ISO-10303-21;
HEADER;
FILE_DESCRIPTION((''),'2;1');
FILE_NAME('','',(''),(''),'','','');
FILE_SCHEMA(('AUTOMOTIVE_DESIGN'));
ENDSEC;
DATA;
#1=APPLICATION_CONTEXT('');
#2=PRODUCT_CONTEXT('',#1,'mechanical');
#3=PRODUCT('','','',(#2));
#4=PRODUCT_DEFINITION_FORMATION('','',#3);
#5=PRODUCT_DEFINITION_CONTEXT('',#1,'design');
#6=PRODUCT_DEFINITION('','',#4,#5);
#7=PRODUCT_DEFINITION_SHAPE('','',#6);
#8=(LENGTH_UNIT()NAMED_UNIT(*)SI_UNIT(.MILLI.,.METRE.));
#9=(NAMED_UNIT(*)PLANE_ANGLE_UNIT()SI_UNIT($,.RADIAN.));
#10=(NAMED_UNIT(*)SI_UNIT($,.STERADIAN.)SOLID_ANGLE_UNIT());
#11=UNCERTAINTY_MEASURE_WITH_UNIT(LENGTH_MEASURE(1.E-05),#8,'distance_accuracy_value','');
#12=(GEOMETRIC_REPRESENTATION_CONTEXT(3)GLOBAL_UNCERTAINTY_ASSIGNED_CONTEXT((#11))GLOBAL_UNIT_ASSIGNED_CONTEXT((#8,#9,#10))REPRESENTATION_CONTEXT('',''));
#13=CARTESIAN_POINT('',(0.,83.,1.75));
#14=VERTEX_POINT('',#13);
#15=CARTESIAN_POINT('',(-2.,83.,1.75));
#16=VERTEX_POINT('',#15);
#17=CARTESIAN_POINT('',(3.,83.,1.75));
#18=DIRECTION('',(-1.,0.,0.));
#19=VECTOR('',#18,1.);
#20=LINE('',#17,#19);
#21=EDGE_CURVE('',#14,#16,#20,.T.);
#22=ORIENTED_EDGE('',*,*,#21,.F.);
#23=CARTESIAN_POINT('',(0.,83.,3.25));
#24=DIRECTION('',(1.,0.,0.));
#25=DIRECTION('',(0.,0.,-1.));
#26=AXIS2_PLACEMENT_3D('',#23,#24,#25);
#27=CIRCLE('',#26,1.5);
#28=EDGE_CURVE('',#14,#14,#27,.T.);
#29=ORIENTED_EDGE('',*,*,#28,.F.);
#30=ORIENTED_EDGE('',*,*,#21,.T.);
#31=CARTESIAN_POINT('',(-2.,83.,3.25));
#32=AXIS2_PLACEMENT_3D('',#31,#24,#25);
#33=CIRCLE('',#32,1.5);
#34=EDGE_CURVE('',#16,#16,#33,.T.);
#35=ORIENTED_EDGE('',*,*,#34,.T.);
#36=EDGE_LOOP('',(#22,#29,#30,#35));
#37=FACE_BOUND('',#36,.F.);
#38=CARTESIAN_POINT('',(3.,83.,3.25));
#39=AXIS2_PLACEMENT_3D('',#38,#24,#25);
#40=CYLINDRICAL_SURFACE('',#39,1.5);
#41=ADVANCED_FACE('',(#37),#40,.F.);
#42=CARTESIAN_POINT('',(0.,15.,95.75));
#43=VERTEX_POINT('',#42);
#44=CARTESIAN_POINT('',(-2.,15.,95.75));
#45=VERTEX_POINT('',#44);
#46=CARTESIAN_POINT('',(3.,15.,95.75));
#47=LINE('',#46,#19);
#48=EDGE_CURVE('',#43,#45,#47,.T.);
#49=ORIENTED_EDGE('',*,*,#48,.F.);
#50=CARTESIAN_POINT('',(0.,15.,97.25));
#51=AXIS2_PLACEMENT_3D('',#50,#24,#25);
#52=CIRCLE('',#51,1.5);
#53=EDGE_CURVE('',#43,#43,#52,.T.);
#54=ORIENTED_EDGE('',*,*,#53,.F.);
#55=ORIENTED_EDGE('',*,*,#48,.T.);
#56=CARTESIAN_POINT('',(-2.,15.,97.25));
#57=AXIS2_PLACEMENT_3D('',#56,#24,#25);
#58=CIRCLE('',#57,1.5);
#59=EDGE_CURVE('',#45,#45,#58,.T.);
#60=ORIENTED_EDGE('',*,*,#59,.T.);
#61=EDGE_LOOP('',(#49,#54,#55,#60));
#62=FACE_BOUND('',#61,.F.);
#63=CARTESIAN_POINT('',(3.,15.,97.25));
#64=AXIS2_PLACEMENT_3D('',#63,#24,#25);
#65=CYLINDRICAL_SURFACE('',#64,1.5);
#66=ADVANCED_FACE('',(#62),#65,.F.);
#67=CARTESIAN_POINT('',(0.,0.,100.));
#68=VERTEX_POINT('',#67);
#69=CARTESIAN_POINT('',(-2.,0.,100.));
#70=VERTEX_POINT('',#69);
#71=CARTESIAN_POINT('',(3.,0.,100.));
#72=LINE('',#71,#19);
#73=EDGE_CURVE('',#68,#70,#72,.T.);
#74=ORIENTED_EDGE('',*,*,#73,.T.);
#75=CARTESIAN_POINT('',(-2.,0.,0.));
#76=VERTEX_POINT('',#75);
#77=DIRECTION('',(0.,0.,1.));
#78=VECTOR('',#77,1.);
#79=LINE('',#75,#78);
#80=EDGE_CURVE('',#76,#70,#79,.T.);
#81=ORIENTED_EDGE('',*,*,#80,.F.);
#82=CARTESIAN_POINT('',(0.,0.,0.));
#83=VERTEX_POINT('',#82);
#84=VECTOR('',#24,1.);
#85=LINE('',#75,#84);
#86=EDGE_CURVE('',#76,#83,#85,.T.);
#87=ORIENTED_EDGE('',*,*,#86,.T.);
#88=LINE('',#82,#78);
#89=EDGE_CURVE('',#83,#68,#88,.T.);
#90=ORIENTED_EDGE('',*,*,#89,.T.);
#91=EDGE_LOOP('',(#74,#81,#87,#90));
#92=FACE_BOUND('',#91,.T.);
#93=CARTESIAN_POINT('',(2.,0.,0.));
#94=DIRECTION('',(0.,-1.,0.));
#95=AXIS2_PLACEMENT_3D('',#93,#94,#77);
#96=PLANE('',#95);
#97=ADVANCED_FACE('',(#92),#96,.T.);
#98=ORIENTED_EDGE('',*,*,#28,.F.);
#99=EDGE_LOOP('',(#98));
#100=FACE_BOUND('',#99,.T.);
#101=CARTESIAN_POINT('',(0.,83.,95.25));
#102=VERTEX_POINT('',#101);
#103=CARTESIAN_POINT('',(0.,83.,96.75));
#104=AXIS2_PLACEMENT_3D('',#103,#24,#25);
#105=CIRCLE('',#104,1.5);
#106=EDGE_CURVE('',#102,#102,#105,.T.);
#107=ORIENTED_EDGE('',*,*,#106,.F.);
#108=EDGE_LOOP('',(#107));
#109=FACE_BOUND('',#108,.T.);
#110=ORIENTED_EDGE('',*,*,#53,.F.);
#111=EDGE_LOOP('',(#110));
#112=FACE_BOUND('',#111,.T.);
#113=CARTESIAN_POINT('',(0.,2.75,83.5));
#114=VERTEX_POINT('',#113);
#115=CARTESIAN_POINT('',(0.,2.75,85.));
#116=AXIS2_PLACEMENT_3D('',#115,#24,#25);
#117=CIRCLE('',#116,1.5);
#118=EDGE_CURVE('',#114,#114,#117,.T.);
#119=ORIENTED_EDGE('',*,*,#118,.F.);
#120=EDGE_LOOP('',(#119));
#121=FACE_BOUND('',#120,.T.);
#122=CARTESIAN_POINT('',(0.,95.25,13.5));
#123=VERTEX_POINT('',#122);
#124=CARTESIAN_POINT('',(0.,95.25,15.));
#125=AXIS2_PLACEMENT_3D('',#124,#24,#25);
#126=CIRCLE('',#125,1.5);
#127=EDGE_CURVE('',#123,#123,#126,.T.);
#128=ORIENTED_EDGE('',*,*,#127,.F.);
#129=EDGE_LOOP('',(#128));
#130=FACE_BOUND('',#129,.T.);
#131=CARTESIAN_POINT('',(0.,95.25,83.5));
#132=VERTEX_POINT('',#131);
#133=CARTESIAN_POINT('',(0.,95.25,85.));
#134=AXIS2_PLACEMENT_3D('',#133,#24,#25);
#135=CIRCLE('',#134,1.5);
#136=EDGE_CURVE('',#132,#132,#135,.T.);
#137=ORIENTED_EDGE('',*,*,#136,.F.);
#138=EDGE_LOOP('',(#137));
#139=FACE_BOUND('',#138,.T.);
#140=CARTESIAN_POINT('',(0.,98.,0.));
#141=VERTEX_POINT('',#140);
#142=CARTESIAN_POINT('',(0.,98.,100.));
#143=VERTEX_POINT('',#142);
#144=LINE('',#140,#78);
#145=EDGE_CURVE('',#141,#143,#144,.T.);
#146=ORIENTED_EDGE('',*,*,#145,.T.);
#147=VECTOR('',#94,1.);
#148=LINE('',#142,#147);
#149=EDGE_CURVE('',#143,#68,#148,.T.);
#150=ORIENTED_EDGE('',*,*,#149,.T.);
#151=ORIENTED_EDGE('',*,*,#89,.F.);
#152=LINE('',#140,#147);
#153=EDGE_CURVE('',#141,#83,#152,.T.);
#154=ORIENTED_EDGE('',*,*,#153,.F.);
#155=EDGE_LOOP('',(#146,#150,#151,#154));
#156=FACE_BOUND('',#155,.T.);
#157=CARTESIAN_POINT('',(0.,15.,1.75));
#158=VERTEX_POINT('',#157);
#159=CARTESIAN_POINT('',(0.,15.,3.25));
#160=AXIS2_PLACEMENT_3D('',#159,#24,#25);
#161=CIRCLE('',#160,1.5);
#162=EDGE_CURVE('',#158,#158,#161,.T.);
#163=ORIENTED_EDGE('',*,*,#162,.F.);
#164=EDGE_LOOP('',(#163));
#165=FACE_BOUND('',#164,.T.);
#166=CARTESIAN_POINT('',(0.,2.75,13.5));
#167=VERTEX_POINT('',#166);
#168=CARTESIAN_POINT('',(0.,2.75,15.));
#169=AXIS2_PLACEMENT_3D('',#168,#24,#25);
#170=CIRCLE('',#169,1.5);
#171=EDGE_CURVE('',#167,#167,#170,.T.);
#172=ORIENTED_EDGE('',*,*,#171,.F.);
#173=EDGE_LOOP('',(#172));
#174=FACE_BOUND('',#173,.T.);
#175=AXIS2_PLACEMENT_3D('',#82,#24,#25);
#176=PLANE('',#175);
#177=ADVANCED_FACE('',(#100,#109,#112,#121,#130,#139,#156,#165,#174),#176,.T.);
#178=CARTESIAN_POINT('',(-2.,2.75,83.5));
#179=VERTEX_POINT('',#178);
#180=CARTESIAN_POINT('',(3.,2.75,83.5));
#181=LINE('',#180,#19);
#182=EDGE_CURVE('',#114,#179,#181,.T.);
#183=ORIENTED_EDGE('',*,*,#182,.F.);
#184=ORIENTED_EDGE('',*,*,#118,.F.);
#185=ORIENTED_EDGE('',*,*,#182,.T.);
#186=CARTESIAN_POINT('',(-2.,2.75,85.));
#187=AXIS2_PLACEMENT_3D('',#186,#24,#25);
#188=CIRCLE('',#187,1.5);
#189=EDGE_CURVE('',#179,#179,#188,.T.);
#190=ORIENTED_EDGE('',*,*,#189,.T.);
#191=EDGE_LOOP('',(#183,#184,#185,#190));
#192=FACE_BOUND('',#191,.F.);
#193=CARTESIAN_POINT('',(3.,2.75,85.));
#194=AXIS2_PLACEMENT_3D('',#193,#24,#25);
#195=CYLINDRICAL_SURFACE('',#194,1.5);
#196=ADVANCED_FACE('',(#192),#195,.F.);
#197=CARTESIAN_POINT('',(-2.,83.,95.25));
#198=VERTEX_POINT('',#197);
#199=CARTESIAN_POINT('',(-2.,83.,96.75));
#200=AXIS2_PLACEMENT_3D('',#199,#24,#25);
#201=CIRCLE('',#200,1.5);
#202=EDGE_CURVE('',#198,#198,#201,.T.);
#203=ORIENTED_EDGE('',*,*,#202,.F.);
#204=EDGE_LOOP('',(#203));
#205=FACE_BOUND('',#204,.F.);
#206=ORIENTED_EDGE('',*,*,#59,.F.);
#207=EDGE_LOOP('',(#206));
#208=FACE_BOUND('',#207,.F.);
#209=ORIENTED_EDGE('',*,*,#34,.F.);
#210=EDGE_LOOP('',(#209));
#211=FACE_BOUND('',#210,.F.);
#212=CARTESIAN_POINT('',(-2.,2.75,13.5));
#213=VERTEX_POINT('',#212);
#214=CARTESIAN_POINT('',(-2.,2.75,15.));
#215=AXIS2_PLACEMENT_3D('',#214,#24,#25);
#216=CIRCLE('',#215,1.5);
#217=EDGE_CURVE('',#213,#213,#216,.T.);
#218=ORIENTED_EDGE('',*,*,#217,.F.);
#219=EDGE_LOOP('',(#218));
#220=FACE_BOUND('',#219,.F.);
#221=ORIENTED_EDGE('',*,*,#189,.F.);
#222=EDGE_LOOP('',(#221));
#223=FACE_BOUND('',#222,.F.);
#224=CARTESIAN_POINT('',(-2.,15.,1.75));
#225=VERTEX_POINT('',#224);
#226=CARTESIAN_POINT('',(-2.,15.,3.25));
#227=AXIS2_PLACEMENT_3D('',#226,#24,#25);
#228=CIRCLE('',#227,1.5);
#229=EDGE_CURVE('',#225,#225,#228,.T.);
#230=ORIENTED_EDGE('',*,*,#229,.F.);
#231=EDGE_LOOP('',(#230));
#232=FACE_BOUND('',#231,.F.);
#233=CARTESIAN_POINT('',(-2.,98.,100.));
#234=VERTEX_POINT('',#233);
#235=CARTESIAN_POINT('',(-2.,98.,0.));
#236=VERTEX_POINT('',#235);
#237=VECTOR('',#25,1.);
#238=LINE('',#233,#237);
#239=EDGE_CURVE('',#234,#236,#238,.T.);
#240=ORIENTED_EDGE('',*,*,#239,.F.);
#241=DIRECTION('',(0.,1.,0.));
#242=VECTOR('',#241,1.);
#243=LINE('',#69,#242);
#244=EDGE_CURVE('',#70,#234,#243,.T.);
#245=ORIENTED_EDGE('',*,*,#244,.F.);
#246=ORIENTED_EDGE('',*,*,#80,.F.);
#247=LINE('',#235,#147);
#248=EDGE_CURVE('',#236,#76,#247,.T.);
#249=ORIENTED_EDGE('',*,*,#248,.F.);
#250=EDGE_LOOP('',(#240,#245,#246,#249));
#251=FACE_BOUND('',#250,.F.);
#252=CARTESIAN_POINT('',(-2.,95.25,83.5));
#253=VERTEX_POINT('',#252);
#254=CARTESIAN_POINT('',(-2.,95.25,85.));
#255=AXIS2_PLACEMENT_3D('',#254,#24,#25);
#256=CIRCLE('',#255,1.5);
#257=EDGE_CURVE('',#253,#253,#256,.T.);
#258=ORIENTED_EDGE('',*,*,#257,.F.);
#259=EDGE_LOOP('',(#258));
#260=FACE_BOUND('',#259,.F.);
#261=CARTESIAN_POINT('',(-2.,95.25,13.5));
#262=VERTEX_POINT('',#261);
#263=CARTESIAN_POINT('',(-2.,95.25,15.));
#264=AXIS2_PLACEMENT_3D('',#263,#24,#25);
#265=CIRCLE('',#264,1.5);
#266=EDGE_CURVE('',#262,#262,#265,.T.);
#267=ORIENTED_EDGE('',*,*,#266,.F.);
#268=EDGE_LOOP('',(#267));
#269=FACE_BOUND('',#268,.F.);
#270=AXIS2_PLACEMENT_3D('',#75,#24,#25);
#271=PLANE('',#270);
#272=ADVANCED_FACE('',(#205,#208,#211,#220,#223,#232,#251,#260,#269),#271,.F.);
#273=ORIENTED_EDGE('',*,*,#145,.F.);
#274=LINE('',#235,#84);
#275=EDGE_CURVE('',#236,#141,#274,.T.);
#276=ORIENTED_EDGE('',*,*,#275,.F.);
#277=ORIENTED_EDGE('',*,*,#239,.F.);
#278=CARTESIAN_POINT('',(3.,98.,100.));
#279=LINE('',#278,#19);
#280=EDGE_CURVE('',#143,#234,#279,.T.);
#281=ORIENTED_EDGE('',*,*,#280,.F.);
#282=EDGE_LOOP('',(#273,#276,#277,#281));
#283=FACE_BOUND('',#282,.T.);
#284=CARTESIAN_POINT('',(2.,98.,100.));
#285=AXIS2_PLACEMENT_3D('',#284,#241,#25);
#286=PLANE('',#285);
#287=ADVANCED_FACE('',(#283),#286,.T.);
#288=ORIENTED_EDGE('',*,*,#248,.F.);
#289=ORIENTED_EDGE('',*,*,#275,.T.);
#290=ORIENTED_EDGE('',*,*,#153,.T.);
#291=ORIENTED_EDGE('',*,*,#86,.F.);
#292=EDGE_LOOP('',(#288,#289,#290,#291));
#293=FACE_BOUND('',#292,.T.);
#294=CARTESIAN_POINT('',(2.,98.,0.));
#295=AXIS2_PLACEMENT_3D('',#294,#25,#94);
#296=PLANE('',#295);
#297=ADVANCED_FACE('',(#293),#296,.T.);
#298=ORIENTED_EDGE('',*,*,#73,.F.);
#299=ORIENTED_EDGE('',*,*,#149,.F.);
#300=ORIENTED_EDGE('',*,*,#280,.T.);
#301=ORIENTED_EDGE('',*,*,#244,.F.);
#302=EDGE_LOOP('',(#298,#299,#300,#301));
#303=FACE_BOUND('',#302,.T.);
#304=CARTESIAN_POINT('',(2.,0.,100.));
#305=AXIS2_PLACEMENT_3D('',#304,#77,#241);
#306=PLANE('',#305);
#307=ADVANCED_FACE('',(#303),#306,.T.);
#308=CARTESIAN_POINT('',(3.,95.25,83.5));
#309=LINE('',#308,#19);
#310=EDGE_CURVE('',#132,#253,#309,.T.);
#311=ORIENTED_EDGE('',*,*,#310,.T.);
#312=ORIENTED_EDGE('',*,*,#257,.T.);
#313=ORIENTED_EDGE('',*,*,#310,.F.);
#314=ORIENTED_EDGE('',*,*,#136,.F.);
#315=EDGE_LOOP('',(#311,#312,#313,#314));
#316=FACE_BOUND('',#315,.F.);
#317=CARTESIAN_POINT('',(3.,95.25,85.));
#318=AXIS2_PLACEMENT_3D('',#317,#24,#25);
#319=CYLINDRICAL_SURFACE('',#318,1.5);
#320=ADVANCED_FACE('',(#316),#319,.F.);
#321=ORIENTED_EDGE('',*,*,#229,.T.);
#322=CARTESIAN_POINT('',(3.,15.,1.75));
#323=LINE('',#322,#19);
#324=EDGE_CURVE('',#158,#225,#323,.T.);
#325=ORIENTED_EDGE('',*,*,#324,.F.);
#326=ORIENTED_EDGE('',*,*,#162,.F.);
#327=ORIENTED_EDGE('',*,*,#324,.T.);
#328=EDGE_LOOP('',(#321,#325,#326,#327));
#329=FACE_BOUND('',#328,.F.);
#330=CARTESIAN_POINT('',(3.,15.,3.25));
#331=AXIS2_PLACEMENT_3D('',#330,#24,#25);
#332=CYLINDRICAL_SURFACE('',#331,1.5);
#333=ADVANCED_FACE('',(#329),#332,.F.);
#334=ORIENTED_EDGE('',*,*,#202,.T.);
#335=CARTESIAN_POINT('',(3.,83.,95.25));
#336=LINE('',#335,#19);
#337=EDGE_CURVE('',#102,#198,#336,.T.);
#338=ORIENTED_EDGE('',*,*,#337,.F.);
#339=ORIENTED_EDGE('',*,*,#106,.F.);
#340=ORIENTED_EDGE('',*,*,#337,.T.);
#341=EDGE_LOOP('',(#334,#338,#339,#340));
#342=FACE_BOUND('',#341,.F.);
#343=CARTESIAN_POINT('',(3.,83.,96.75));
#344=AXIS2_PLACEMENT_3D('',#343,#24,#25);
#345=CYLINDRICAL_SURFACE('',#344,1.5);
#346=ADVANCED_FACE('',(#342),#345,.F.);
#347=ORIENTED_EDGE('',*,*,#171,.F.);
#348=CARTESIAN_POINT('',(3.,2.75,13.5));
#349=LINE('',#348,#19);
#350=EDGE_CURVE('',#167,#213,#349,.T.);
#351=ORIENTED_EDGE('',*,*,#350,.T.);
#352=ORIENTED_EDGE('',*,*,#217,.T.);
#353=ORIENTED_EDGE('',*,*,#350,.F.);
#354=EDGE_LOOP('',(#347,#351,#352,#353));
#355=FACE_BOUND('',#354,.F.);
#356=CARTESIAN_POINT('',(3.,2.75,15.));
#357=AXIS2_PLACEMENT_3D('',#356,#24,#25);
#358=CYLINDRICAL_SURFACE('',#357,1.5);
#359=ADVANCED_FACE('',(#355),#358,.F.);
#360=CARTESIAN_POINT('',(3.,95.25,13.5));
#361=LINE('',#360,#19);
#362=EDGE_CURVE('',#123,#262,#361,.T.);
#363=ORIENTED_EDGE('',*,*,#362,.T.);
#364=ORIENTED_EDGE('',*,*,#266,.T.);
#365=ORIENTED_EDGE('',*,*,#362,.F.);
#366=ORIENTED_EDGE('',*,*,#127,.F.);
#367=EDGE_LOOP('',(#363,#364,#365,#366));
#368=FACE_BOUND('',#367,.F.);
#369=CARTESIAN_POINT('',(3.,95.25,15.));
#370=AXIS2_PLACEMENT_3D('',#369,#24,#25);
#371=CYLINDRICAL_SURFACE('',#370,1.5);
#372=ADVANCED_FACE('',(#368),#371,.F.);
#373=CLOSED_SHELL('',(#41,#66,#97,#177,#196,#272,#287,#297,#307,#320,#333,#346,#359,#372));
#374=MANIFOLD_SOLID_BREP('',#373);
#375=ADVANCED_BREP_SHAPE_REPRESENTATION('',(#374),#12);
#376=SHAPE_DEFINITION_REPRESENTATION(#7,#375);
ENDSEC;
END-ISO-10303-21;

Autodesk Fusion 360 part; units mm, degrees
sketch "Sketch1" plane through (0, 0, 0) normal (1, 0, 0) x (0, 0, -1)
  line L0 (0, 0) -> (-100, 0)
  line L1 (-100, 0) -> (-100, 98)
  line L2 (-100, 98) -> (0, 98)
  line L3 (0, 98) -> (0, 0)
  dimension "d1" = 100
  dimension "d2" = 98
extrude "Extrude1" add sketch "Sketch1" against normal blind 2
extrude "Extrude2" add 1 faces at (0, 32.6667, 33.3333) along direction (1, 0, 0) blind 2
extrude "Extrude3" add 1 faces at (2, 32.6667, 33.3333) along direction (1, 0, 0) blind 1
sketch "Sketch2" plane through (3, 0, 0) normal (1, 0, 0) x (0, 0, -1)
  line L0 (-100, 98) -> (0, 98)
  line L1 (0, 98) -> (0, 0)
  line L2 (0, 0) -> (-100, 0)
  line L3 (-100, 0) -> (-100, 98)
  line L4 (-100, 98) -> (-85, 98)
  line L5 (-85, 98) -> (-85, 92.5)
  line L6 (-85, 92.5) -> (-100, 92.5)
  line L7 (-100, 92.5) -> (-100, 98)
  line L8 (-100, 98) -> (-93.5, 98)
  line L9 (-93.5, 98) -> (-93.5, 83)
  line L10 (0, 98) -> (-6.5, 98)
  line L11 (-6.5, 98) -> (-6.5, 83)
  line L12 (-6.5, 83) -> (0, 83)
  line L13 (0, 83) -> (0, 98)
  line L14 (0, 98) -> (-15, 98)
  line L15 (-15, 98) -> (-15, 92.5)
  line L16 (-15, 92.5) -> (0, 92.5)
  line L17 (0, 92.5) -> (0, 98)
  line L18 (0, 0) -> (-6.5, 0)
  line L19 (-6.5, 0) -> (-6.5, 15)
  line L20 (-6.5, 15) -> (0, 15)
  line L21 (0, 15) -> (0, 0)
  line L22 (0, 0) -> (-15, 0)
  line L23 (-15, 0) -> (-15, 5.5)
  line L24 (-15, 5.5) -> (0, 5.5)
  line L25 (0, 5.5) -> (0, 0)
  line L26 (-100, 0) -> (-85, 0)
  line L27 (-85, 0) -> (-85, 5.5)
  line L28 (-85, 5.5) -> (-100, 5.5)
  line L29 (-100, 5.5) -> (-100, 0)
  line L30 (-100, 0) -> (-94.5, 0)
  line L31 (-94.5, 0) -> (-94.5, 15)
  line L32 (-94.5, 15) -> (-100, 15)
  line L33 (-100, 15) -> (-100, 0)
  circle A0 centre (-85, 95.25) radius 1.5
  circle A1 centre (-97.25, 15) radius 1.5
  circle A2 centre (-85, 2.75) radius 1.5
  circle A3 centre (-15, 2.75) radius 1.5
  circle A4 centre (-3.25, 15) radius 1.5
  circle A5 centre (-3.25, 83) radius 1.5
  circle A6 centre (-15, 95.25) radius 1.5
  line L34 (-93.5, 83) -> (-100, 83)
  line L35 (-100, 83) -> (-100, 98)
  line L36 (-100, 98) -> (-93.5, 98)
  line L37 (-93.5, 98) -> (-93.5, 83)
  circle A7 centre (-96.75, 83) radius 1.5
  dimension "d53" = 15
  dimension "d54" = 5.5
  dimension "d55" = 6.5
  dimension "d57" = 6.5
  dimension "d58" = 15
  dimension "d59" = 15
  dimension "d60" = 5.5
  dimension "d61" = 6.5
  dimension "d62" = 15
  dimension "d63" = 5.5
  dimension "d64" = 15
  dimension "d65" = 5.5
  dimension "d66" = 15
  dimension "d67" = 100
  dimension "d68" = 98
  dimension "d69" = 5.5
  dimension "d70" = 15
  dimension "d71" = 3
  dimension "d73" = 3
  dimension "d74" = 3
  dimension "d75" = 3
  dimension "d76" = 3
  dimension "d77" = 3
  dimension "d78" = 3
  dimension "d81" = 15
  dimension "d83" = 3
extrude "Extrude9" cut sketch "Sketch2" against normal blind 20 contours L5 A0 | L5 A0 | L34 A7 | L34 A7 | L15 A6 | L15 A6 | L32 A1 | L32 A1 | L12 A5 | L12 A5 | L27 A2 | L27 A2 | L20 A4 | L20 A4 | L23 A3 | L23 A3
extrude "Extrude10" cut sketch "Sketch2" against normal blind 3 contours L0 L3 L4 L6 L7 L8 L9 L35 L36 L37 | L0 L4 L5 L6 L9 A0 L37 | L3 L6 L9 L34 L35 L37 A7 | L0 L1 L2 L3 L5 L6 L9 L11 L12 L15 L16 L19 L20 L23 L24 L27 L28 L31 L32 A0 A1 A2 A3 A4 A5 A6 L34 L37 A7 | L0 L11 L14 L15 L16 A6 | L3 L28 L31 L32 L33 A1 | L0 L1 L10 L11 L13 L14 L16 L17 | L2 L3 L26 L28 L29 L30 L31 L33 | L1 L11 L12 L13 L16 A5 | L2 L26 L27 L28 L31 A2 | L1 L19 L20 L21 L24 A4 | L2 L19 L22 L23 L24 A3 | L1 L2 L18 L19 L21 L22 L24 L25
